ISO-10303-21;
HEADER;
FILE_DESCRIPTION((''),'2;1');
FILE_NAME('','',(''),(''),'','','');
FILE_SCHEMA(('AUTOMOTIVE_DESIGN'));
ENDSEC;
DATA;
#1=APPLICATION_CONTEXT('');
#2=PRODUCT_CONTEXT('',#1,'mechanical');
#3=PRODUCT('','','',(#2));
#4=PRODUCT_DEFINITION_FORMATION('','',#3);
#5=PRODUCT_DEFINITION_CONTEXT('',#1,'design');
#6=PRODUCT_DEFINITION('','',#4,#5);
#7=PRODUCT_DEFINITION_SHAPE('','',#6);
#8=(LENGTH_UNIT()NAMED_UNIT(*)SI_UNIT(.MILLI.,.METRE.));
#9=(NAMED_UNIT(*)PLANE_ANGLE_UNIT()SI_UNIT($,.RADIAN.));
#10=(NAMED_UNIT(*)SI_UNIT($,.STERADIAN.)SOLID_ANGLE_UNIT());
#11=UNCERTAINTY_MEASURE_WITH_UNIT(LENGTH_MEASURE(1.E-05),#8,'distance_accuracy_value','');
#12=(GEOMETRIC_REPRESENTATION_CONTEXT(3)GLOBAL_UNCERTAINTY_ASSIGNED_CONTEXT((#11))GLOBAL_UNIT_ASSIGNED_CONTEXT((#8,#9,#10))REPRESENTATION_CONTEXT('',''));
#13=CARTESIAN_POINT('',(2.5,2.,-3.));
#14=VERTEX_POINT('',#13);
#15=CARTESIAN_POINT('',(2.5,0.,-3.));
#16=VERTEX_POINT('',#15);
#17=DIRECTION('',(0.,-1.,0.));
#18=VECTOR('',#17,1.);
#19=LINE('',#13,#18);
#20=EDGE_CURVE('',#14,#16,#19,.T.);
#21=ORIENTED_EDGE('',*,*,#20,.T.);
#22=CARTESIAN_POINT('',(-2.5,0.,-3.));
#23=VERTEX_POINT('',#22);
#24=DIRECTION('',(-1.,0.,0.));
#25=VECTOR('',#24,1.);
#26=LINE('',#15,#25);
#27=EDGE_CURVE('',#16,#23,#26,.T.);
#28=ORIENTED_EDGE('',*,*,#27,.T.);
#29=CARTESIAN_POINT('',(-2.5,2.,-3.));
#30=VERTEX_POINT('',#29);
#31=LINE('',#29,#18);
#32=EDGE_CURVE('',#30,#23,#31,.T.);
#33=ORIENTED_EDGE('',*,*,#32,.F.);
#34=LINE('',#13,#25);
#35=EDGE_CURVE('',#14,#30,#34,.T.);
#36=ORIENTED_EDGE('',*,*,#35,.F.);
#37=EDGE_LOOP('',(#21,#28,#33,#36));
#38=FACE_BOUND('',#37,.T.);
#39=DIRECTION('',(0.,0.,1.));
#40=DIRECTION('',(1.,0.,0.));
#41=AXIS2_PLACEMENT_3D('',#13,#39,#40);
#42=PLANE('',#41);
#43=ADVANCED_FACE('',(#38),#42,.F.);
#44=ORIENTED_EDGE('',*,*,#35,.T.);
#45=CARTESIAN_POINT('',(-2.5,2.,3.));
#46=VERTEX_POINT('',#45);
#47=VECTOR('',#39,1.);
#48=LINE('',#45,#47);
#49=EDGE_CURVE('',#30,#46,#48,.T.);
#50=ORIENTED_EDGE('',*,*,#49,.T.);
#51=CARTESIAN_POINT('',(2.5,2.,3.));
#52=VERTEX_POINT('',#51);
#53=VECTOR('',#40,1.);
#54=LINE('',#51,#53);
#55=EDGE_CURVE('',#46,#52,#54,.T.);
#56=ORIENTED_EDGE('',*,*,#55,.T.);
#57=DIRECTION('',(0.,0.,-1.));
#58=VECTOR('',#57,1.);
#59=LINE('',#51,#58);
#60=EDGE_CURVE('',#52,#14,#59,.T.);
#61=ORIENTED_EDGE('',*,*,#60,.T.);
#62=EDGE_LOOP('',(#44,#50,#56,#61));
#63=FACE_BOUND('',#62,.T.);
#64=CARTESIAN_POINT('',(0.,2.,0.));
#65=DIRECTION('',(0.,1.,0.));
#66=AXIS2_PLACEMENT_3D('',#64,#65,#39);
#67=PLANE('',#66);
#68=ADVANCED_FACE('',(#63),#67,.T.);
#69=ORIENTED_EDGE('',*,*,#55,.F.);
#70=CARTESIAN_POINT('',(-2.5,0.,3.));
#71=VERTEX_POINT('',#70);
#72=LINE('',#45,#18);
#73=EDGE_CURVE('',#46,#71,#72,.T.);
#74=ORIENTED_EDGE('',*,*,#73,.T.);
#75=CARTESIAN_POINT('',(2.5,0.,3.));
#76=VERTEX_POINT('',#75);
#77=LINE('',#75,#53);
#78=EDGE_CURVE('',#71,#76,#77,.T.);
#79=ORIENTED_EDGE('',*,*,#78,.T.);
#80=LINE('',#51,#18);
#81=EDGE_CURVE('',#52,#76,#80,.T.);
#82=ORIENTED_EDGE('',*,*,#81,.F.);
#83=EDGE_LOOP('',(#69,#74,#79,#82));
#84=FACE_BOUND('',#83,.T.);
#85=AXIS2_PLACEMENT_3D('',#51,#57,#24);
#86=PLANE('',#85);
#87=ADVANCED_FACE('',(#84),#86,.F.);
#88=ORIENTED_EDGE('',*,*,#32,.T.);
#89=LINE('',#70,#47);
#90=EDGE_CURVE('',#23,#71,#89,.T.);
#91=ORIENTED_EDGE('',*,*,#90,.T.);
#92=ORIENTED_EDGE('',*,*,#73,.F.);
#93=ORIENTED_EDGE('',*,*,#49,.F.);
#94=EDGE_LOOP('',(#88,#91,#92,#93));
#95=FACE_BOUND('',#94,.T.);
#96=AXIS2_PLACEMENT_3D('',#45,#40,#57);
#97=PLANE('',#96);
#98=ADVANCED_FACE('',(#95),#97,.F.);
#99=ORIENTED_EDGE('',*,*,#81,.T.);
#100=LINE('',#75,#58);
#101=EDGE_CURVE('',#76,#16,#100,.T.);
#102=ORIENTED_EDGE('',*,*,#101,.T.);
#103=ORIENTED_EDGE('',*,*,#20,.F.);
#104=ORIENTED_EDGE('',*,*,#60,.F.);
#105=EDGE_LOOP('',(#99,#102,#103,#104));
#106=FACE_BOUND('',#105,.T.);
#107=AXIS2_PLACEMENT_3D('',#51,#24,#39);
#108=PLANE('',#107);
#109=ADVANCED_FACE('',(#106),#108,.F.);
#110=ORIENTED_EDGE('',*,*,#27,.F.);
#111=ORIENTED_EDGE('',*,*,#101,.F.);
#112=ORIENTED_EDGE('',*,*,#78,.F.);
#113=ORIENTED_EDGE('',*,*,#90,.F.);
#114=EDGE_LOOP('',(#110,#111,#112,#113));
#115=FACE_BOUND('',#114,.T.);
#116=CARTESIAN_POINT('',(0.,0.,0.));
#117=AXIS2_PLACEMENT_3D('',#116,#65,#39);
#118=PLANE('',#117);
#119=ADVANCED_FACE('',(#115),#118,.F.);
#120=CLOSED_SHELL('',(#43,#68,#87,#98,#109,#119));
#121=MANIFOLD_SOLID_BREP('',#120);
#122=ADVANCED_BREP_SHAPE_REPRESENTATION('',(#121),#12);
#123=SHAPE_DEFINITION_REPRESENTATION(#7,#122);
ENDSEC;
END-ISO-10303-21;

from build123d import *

# Parameters (mm, degrees)
SKETCH1_W           = 5
SKETCH1_H           = 6
BOSS_EXTRUDE1_DEPTH = 2


with BuildPart() as part:
    # Sketch1 → Boss-Extrude1 (new body)
    with BuildSketch(Plane(origin=(0, 0, 0), x_dir=(1, 0, 0), z_dir=(0, 1, 0))):
        Rectangle(SKETCH1_W, SKETCH1_H)
    extrude(amount=BOSS_EXTRUDE1_DEPTH)


solid = part.part
